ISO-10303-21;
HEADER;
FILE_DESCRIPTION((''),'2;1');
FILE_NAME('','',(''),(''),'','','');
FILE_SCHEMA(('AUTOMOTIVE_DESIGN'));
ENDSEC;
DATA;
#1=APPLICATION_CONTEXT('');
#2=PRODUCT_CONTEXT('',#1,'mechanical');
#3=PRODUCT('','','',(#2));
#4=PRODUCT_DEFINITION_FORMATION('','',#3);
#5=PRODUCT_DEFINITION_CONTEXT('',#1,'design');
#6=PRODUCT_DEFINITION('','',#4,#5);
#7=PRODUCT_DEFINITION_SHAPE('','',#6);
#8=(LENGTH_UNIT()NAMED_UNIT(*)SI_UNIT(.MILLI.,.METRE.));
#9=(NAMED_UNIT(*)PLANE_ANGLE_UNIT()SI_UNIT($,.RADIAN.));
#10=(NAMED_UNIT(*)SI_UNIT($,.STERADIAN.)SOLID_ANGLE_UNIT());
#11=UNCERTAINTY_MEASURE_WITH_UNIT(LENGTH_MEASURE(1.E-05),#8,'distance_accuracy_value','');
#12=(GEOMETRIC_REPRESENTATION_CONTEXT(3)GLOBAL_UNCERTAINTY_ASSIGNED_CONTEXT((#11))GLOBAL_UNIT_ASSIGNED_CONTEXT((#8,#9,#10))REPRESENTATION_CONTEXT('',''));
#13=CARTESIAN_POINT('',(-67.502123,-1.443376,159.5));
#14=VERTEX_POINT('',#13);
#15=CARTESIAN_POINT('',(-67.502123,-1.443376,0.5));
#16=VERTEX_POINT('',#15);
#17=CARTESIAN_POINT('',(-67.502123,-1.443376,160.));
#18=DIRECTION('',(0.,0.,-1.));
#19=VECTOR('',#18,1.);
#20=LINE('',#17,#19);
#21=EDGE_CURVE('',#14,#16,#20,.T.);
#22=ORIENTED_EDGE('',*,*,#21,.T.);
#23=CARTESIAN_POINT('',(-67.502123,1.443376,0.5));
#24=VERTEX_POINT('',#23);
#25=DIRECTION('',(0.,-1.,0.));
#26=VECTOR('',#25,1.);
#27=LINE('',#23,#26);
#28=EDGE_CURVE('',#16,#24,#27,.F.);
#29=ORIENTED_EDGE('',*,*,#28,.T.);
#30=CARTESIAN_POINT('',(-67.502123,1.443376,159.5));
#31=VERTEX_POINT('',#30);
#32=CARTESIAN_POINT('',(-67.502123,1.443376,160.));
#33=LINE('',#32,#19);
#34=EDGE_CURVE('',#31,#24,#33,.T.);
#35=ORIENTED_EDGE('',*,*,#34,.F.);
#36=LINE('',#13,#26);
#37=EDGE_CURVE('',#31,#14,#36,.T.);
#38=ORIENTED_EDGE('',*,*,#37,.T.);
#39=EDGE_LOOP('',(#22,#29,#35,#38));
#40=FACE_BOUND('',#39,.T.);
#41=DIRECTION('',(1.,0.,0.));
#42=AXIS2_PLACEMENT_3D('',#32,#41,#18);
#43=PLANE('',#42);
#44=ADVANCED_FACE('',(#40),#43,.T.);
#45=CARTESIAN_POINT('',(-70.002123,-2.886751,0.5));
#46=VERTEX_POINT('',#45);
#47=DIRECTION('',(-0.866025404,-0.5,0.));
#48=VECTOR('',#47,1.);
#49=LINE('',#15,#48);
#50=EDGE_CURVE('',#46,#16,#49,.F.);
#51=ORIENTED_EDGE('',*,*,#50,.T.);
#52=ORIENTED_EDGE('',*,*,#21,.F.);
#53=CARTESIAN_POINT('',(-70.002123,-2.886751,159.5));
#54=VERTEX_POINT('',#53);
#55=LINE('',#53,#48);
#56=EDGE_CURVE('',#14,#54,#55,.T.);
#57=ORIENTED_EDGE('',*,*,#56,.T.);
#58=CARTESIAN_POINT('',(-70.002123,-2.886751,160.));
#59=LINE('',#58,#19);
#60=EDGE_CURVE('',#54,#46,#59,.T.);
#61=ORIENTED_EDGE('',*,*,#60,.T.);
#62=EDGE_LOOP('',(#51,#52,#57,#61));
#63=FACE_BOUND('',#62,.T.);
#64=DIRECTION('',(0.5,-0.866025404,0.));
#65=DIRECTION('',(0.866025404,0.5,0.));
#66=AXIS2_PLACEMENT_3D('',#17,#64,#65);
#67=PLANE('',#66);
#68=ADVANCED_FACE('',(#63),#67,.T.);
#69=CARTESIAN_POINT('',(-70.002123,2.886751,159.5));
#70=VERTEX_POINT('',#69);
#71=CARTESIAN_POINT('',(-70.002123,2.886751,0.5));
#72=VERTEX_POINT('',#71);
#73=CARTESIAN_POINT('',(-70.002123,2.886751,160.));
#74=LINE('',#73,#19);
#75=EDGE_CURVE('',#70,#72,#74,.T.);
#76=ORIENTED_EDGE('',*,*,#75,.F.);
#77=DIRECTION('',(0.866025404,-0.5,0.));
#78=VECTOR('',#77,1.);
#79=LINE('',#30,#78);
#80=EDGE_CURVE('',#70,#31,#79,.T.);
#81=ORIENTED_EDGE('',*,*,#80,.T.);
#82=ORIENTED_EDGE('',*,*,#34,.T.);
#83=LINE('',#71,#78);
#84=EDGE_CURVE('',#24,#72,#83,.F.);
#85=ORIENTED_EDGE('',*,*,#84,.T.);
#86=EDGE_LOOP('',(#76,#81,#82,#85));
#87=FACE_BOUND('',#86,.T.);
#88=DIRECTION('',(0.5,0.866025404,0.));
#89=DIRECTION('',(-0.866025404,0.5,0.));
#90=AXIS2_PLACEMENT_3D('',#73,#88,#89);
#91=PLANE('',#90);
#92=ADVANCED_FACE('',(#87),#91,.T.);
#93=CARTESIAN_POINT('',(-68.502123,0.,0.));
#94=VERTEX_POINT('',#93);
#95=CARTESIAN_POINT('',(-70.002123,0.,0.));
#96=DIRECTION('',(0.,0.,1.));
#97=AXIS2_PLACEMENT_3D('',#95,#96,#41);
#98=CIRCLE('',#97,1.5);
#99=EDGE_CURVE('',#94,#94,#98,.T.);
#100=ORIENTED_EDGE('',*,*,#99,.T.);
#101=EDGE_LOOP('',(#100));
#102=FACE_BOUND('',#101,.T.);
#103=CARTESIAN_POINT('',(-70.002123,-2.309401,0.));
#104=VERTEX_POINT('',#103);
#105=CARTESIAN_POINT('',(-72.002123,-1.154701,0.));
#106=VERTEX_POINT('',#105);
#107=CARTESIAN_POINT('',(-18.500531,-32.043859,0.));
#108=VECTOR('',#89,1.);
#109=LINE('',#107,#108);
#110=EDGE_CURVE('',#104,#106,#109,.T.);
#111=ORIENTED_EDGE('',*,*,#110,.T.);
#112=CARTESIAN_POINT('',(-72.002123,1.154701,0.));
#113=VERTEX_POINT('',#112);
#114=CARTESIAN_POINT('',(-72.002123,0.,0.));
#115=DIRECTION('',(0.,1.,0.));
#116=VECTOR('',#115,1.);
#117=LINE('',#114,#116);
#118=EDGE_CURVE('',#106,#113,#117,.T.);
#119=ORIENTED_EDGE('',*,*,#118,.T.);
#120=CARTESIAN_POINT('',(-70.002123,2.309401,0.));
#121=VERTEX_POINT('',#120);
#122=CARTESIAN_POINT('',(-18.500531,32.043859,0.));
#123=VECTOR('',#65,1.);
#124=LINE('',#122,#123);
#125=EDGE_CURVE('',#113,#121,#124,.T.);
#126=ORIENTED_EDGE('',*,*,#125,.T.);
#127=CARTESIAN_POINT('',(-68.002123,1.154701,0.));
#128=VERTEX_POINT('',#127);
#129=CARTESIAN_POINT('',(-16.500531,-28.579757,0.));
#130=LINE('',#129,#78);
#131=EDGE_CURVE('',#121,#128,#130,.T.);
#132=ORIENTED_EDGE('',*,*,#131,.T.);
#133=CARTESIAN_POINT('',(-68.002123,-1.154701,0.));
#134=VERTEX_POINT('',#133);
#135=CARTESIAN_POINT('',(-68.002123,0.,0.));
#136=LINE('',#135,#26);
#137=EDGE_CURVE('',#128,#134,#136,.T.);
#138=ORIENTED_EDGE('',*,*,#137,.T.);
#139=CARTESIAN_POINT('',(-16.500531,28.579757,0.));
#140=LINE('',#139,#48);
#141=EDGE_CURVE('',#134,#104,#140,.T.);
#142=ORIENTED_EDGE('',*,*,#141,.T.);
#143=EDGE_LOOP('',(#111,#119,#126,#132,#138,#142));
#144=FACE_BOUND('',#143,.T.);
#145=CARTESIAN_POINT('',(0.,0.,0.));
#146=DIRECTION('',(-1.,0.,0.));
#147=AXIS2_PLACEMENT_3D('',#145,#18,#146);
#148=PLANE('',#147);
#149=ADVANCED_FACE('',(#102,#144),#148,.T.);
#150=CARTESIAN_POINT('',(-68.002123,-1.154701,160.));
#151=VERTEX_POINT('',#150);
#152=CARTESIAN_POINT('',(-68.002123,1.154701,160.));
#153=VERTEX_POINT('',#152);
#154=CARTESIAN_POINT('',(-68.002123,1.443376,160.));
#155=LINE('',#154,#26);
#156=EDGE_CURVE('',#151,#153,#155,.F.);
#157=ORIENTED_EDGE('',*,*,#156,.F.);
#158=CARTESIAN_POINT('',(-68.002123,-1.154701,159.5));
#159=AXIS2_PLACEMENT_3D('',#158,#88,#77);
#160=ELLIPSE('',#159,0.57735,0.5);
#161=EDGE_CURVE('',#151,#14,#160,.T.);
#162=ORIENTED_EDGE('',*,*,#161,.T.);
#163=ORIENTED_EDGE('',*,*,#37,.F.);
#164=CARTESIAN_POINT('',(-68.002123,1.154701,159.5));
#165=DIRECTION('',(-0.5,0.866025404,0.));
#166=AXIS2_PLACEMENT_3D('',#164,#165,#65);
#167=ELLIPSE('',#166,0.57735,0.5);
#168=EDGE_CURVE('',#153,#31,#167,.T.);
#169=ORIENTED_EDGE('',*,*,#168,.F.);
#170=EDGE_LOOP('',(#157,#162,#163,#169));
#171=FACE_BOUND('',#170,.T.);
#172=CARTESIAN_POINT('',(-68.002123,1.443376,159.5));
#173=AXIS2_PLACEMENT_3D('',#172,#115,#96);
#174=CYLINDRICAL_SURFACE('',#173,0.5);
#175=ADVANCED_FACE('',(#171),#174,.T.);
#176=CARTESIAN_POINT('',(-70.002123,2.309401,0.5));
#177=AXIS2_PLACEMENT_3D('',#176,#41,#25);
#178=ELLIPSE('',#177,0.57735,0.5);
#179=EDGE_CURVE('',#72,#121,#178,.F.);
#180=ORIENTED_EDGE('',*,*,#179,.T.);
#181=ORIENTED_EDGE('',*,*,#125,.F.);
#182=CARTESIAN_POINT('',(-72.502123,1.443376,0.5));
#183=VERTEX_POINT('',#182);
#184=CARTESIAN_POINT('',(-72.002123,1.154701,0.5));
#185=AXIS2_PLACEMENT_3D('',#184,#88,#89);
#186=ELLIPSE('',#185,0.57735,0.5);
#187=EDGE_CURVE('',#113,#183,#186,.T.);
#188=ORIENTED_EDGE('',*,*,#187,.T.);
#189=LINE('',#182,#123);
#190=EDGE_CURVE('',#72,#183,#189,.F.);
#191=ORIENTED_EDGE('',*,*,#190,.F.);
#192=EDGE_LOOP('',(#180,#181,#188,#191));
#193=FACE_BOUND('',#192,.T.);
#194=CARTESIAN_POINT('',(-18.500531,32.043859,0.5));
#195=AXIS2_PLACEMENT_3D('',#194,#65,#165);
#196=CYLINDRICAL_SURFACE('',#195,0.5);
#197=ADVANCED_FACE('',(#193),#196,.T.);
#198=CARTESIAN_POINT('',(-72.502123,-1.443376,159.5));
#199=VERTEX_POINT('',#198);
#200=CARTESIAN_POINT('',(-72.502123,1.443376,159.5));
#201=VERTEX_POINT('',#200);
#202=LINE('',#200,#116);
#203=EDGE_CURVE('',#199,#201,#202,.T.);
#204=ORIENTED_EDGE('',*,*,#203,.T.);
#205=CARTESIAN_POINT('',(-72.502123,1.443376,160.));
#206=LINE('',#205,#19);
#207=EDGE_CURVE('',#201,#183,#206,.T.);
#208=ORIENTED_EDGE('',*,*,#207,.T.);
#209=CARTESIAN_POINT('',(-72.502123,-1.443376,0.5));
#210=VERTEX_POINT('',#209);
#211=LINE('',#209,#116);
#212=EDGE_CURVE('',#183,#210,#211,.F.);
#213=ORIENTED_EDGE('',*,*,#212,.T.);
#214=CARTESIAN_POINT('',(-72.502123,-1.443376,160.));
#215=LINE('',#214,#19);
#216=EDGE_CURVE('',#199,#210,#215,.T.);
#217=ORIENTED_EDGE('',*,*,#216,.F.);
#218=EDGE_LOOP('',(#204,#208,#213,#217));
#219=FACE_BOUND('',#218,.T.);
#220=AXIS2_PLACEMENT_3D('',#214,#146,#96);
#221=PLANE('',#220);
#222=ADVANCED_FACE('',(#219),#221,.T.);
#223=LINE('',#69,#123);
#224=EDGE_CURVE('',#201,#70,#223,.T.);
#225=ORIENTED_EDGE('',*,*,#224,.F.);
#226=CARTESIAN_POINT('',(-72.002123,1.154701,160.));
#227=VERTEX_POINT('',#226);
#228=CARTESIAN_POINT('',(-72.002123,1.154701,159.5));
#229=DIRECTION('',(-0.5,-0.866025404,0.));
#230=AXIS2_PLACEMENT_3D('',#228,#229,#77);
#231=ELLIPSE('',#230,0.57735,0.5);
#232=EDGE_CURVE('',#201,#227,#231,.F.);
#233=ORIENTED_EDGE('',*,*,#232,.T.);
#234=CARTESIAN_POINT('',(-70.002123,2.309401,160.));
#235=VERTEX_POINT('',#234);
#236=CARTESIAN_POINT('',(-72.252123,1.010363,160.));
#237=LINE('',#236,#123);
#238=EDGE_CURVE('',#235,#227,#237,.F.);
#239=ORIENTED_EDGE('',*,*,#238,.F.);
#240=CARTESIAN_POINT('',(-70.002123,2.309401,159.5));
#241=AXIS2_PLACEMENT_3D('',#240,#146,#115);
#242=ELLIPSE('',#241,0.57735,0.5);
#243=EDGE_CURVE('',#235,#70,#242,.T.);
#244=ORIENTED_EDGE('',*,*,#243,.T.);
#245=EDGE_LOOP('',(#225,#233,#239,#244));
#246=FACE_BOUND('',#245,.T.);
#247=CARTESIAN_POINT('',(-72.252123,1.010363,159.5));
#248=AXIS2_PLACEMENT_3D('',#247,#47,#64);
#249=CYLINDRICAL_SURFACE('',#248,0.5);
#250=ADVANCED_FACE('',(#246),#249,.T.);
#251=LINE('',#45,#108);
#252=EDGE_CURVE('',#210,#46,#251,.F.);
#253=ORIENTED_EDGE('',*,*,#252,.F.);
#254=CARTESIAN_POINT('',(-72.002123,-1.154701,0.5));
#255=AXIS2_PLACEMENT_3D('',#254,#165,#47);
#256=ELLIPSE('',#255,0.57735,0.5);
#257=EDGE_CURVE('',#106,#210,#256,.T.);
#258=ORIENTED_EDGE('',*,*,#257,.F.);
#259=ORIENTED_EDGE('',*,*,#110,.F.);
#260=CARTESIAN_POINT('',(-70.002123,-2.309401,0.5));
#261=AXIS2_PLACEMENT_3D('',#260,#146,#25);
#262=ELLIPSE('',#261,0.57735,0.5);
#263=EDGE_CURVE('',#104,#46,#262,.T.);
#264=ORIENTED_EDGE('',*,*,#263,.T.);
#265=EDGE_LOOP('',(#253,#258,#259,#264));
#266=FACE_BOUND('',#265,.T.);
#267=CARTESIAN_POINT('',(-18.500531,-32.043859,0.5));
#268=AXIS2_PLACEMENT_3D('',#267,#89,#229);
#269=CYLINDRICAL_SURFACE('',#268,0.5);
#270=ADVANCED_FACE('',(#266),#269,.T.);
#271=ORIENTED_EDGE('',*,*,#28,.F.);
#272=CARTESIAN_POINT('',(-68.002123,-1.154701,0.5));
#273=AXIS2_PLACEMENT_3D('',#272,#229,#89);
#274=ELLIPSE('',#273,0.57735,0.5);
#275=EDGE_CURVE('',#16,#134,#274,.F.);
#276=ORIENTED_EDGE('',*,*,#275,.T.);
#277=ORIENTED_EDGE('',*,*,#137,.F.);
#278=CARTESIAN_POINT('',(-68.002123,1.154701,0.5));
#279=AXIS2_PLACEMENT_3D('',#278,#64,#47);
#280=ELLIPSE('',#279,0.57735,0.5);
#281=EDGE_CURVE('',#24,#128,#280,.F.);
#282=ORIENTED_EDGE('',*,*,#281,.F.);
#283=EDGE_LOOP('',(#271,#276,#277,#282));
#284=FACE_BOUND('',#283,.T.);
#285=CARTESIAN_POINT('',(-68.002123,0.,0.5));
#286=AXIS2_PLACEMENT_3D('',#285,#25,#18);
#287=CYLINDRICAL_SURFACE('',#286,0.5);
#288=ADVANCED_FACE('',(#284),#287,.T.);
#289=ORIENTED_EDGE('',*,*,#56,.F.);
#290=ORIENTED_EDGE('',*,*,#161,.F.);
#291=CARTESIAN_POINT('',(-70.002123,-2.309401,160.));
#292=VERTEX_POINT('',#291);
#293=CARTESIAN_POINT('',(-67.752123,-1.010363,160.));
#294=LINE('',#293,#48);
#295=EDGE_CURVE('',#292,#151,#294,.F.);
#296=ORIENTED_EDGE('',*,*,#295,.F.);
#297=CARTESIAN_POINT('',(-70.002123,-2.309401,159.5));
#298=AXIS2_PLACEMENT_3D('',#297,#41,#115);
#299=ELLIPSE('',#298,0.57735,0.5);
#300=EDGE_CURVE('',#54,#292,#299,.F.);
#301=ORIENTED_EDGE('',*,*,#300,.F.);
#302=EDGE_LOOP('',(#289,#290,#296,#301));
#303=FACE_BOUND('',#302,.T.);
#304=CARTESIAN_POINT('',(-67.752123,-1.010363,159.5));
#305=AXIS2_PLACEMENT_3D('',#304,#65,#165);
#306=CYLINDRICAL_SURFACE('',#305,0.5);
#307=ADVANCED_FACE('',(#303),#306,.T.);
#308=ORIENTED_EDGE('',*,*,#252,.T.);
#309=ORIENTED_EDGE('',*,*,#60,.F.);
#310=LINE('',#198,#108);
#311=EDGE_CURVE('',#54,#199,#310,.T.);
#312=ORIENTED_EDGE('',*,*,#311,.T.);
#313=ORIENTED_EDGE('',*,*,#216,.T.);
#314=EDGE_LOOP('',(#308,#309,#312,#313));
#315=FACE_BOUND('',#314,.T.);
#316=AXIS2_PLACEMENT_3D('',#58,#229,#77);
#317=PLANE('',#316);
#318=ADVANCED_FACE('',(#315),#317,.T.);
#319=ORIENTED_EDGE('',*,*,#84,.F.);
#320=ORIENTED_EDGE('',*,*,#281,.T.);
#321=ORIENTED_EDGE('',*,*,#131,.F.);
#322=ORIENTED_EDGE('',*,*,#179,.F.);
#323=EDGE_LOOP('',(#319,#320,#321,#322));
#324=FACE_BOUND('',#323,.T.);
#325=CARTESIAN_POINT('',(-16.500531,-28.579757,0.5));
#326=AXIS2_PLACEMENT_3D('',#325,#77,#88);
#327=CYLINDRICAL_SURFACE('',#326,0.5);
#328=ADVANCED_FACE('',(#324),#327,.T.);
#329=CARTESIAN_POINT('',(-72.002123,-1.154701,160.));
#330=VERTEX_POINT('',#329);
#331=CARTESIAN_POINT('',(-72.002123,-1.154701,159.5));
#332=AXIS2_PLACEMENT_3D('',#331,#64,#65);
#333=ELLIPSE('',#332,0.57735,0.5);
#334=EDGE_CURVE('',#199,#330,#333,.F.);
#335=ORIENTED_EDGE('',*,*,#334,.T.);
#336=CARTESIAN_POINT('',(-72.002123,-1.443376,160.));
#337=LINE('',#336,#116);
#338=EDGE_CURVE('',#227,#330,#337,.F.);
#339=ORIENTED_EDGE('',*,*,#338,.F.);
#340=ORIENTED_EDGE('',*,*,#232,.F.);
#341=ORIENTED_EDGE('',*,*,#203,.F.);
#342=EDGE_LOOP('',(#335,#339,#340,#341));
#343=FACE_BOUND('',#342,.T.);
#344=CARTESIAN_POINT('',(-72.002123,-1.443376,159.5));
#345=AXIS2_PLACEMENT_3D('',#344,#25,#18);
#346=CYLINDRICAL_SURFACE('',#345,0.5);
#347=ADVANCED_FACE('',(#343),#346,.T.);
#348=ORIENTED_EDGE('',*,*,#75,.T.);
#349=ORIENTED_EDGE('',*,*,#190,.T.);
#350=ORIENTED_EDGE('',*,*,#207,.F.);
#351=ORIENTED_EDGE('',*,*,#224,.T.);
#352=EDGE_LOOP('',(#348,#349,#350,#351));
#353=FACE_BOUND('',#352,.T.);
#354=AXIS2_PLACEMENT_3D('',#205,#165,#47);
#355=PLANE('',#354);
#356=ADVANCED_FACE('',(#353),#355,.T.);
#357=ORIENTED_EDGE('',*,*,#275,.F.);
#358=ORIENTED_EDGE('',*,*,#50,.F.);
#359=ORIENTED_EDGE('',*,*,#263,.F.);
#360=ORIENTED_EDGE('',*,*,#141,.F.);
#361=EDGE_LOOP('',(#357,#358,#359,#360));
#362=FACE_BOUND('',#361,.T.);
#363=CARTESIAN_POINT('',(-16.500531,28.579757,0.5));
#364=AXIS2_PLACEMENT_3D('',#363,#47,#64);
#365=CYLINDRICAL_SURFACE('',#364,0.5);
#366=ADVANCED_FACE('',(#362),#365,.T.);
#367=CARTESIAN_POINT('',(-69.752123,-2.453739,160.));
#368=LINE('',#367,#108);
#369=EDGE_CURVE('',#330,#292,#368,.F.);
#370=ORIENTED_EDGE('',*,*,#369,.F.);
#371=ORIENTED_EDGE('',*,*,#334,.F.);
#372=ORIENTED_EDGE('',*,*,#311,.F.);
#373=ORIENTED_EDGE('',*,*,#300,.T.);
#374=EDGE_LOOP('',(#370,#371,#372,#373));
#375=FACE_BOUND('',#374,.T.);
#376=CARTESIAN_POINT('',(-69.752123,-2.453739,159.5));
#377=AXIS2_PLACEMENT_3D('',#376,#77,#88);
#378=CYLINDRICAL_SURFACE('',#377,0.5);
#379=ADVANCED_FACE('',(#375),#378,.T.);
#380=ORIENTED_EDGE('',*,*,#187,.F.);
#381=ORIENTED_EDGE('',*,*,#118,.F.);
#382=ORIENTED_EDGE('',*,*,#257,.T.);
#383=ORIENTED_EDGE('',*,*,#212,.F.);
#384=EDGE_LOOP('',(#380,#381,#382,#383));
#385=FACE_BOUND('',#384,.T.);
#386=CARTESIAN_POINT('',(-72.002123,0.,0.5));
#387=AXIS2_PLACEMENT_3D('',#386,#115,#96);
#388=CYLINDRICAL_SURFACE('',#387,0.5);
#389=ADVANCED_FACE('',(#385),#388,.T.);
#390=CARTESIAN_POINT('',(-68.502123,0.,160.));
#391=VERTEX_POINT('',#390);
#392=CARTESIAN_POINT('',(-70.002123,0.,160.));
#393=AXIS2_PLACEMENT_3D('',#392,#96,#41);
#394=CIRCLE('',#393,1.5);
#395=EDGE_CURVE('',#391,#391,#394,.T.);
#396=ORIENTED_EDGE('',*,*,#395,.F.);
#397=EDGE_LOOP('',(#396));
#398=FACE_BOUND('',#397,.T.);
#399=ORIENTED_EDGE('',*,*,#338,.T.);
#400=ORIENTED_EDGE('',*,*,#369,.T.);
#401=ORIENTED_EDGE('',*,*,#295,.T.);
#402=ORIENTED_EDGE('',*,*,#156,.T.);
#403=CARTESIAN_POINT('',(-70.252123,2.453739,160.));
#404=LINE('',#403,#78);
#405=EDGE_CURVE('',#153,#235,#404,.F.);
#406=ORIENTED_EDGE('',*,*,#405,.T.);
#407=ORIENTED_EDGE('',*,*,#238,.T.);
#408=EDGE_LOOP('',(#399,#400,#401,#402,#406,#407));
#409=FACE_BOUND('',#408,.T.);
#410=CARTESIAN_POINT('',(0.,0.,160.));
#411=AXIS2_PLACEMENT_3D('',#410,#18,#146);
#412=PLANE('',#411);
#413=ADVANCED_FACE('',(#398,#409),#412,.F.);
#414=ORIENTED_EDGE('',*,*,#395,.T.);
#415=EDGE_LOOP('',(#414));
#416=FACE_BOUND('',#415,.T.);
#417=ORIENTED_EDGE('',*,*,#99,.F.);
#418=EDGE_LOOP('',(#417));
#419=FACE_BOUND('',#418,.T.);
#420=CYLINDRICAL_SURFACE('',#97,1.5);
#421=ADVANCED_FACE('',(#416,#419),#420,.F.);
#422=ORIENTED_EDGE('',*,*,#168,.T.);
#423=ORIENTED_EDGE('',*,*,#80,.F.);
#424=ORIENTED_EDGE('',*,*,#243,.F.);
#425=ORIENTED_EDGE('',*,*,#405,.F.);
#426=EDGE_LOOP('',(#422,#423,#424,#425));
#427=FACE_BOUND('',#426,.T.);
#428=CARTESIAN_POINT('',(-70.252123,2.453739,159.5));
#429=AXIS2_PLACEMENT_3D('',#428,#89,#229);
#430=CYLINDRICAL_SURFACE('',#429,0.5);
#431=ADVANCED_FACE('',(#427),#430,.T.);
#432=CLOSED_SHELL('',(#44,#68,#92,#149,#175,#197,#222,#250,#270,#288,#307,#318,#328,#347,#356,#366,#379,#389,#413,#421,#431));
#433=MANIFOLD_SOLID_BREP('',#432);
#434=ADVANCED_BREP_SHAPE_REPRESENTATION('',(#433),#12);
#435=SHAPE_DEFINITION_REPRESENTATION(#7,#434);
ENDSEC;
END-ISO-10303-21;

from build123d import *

# Parameters (mm, degrees)
RESSALTO_EXTRUS_O1_DEPTH = 160
FILETE1_R                = 0.5
ESBO_O2_R                = 1.5
CORTE_EXTRUS_O1_DEPTH    = 161


with BuildPart() as part:
    # Esboço1 → Ressalto-extrusão1 (new body)
    with BuildSketch(Plane(origin=(0, 0, 0), x_dir=(-1, 0, 0), z_dir=(0, 0, -1))):
        Polygon((67.502122675, -1.443375673), (70.002122675, -2.886751346), (72.502122675, -1.443375673), (72.502122675, 1.443375673), (70.002122675, 2.886751346), (67.502122675, 1.443375673), align=None)
    extrude(amount=-RESSALTO_EXTRUS_O1_DEPTH)

    # Filete1
    filete1_edges = [part.edges().sort_by_distance(p)[0] for p in [
        (-71.252122675, -2.165063509, 160),
        (-72.502122675, 0, 160),
        (-71.252122675, 2.165063509, 160),
        (-68.752122675, 2.165063509, 160),
        (-67.502122675, 0, 160),
        (-68.752122675, 2.165063509, 0),
        (-71.252122675, 2.165063509, 0),
        (-72.502122675, 0, 0),
        (-71.252122675, -2.165063509, 0),
        (-68.752122675, -2.165063509, 0),
        (-67.502122675, 0, 0),
        (-68.752122675, -2.165063509, 160),
    ]]
    fillet(filete1_edges, radius=FILETE1_R)

    # Esboço2 → Corte-extrusão1 (cut, through all)
    with BuildSketch(Plane.XY.offset(160)):
        with Locations((-70.002122675, 0)):
            Circle(ESBO_O2_R)
    extrude(amount=-CORTE_EXTRUS_O1_DEPTH, mode=Mode.SUBTRACT)


solid = part.part
